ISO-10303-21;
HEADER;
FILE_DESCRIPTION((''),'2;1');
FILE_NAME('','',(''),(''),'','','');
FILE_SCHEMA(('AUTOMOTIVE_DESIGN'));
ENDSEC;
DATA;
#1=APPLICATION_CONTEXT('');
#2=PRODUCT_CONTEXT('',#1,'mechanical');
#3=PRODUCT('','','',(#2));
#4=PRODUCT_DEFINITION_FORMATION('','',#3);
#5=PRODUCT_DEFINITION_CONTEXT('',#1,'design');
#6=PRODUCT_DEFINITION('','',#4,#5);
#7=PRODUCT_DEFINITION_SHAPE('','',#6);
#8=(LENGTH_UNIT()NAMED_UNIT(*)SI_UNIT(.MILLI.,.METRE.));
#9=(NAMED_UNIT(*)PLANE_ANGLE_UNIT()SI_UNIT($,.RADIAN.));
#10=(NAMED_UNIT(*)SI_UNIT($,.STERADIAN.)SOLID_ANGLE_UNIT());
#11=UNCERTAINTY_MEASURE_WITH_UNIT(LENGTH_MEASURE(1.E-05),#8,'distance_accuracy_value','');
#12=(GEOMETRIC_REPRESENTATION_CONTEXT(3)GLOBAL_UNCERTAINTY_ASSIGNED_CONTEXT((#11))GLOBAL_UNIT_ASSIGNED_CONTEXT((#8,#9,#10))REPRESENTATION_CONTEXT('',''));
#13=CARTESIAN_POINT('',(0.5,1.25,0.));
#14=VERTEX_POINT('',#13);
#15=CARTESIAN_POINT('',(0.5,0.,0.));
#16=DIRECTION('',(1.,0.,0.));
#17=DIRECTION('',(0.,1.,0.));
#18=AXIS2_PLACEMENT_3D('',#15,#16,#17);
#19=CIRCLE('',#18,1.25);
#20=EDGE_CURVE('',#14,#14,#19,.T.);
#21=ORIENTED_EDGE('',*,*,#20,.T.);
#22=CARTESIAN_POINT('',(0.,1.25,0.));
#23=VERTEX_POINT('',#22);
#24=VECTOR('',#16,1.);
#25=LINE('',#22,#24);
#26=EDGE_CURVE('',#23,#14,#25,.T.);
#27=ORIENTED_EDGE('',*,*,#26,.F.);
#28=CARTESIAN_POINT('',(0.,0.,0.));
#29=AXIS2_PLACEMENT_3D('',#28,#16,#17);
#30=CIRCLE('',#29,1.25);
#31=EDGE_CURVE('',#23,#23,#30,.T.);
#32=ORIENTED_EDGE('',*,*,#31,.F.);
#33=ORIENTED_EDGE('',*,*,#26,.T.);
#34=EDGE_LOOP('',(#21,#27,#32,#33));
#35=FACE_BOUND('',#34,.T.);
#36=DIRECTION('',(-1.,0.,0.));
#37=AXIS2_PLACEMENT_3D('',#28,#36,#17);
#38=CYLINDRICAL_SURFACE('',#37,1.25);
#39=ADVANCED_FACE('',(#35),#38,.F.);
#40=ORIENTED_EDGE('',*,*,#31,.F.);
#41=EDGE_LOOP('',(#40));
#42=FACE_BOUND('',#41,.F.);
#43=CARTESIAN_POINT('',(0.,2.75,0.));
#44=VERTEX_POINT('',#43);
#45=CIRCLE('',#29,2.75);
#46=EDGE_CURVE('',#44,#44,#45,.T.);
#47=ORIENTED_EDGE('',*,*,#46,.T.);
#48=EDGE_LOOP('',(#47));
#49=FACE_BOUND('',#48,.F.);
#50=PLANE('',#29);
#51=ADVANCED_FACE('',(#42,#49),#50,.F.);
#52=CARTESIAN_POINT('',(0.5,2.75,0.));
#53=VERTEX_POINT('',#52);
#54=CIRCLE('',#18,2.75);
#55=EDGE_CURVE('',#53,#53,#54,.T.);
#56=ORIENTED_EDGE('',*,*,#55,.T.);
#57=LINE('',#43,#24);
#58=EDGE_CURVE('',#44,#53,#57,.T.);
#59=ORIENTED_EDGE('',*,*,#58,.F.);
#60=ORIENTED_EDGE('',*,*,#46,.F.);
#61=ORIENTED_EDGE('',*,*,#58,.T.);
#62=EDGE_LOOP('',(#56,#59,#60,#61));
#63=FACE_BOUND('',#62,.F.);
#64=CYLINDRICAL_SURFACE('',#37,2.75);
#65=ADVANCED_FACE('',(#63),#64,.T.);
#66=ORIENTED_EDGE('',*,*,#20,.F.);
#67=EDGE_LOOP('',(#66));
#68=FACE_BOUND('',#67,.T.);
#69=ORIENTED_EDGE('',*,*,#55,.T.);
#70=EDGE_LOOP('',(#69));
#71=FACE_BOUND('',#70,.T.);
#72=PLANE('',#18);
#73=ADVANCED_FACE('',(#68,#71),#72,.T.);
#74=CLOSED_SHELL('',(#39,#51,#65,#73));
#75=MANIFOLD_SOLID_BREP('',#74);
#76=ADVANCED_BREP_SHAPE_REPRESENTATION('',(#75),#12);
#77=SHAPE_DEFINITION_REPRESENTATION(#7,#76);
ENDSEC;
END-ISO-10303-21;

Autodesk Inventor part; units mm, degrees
ref_plane "YZ Plane" through (0, 0, 0) normal (1, 0, 0) x (0, 1, 0)
ref_plane "XZ Plane" through (0, 0, 0) normal (0, 1, 0) x (-1, 0, 0)
ref_plane "XY Plane" through (0, 0, 0) normal (0, 0, 1) x (1, 0, 0)
sketch "Sketch1" plane through (0, 0, 0) normal (1, 0, 0) x (0, 1, 0)
  circle A0 centre (0, 0) radius 1.25
  circle A1 centre (0, 0) radius 2.75
  dimension "d0" = 2.5
  dimension "d1" = 5.5
extrude "Extrusion1" add sketch "Sketch1" along normal blind 0.5
properties part number "RCT-H022_washer_25_55_05"
